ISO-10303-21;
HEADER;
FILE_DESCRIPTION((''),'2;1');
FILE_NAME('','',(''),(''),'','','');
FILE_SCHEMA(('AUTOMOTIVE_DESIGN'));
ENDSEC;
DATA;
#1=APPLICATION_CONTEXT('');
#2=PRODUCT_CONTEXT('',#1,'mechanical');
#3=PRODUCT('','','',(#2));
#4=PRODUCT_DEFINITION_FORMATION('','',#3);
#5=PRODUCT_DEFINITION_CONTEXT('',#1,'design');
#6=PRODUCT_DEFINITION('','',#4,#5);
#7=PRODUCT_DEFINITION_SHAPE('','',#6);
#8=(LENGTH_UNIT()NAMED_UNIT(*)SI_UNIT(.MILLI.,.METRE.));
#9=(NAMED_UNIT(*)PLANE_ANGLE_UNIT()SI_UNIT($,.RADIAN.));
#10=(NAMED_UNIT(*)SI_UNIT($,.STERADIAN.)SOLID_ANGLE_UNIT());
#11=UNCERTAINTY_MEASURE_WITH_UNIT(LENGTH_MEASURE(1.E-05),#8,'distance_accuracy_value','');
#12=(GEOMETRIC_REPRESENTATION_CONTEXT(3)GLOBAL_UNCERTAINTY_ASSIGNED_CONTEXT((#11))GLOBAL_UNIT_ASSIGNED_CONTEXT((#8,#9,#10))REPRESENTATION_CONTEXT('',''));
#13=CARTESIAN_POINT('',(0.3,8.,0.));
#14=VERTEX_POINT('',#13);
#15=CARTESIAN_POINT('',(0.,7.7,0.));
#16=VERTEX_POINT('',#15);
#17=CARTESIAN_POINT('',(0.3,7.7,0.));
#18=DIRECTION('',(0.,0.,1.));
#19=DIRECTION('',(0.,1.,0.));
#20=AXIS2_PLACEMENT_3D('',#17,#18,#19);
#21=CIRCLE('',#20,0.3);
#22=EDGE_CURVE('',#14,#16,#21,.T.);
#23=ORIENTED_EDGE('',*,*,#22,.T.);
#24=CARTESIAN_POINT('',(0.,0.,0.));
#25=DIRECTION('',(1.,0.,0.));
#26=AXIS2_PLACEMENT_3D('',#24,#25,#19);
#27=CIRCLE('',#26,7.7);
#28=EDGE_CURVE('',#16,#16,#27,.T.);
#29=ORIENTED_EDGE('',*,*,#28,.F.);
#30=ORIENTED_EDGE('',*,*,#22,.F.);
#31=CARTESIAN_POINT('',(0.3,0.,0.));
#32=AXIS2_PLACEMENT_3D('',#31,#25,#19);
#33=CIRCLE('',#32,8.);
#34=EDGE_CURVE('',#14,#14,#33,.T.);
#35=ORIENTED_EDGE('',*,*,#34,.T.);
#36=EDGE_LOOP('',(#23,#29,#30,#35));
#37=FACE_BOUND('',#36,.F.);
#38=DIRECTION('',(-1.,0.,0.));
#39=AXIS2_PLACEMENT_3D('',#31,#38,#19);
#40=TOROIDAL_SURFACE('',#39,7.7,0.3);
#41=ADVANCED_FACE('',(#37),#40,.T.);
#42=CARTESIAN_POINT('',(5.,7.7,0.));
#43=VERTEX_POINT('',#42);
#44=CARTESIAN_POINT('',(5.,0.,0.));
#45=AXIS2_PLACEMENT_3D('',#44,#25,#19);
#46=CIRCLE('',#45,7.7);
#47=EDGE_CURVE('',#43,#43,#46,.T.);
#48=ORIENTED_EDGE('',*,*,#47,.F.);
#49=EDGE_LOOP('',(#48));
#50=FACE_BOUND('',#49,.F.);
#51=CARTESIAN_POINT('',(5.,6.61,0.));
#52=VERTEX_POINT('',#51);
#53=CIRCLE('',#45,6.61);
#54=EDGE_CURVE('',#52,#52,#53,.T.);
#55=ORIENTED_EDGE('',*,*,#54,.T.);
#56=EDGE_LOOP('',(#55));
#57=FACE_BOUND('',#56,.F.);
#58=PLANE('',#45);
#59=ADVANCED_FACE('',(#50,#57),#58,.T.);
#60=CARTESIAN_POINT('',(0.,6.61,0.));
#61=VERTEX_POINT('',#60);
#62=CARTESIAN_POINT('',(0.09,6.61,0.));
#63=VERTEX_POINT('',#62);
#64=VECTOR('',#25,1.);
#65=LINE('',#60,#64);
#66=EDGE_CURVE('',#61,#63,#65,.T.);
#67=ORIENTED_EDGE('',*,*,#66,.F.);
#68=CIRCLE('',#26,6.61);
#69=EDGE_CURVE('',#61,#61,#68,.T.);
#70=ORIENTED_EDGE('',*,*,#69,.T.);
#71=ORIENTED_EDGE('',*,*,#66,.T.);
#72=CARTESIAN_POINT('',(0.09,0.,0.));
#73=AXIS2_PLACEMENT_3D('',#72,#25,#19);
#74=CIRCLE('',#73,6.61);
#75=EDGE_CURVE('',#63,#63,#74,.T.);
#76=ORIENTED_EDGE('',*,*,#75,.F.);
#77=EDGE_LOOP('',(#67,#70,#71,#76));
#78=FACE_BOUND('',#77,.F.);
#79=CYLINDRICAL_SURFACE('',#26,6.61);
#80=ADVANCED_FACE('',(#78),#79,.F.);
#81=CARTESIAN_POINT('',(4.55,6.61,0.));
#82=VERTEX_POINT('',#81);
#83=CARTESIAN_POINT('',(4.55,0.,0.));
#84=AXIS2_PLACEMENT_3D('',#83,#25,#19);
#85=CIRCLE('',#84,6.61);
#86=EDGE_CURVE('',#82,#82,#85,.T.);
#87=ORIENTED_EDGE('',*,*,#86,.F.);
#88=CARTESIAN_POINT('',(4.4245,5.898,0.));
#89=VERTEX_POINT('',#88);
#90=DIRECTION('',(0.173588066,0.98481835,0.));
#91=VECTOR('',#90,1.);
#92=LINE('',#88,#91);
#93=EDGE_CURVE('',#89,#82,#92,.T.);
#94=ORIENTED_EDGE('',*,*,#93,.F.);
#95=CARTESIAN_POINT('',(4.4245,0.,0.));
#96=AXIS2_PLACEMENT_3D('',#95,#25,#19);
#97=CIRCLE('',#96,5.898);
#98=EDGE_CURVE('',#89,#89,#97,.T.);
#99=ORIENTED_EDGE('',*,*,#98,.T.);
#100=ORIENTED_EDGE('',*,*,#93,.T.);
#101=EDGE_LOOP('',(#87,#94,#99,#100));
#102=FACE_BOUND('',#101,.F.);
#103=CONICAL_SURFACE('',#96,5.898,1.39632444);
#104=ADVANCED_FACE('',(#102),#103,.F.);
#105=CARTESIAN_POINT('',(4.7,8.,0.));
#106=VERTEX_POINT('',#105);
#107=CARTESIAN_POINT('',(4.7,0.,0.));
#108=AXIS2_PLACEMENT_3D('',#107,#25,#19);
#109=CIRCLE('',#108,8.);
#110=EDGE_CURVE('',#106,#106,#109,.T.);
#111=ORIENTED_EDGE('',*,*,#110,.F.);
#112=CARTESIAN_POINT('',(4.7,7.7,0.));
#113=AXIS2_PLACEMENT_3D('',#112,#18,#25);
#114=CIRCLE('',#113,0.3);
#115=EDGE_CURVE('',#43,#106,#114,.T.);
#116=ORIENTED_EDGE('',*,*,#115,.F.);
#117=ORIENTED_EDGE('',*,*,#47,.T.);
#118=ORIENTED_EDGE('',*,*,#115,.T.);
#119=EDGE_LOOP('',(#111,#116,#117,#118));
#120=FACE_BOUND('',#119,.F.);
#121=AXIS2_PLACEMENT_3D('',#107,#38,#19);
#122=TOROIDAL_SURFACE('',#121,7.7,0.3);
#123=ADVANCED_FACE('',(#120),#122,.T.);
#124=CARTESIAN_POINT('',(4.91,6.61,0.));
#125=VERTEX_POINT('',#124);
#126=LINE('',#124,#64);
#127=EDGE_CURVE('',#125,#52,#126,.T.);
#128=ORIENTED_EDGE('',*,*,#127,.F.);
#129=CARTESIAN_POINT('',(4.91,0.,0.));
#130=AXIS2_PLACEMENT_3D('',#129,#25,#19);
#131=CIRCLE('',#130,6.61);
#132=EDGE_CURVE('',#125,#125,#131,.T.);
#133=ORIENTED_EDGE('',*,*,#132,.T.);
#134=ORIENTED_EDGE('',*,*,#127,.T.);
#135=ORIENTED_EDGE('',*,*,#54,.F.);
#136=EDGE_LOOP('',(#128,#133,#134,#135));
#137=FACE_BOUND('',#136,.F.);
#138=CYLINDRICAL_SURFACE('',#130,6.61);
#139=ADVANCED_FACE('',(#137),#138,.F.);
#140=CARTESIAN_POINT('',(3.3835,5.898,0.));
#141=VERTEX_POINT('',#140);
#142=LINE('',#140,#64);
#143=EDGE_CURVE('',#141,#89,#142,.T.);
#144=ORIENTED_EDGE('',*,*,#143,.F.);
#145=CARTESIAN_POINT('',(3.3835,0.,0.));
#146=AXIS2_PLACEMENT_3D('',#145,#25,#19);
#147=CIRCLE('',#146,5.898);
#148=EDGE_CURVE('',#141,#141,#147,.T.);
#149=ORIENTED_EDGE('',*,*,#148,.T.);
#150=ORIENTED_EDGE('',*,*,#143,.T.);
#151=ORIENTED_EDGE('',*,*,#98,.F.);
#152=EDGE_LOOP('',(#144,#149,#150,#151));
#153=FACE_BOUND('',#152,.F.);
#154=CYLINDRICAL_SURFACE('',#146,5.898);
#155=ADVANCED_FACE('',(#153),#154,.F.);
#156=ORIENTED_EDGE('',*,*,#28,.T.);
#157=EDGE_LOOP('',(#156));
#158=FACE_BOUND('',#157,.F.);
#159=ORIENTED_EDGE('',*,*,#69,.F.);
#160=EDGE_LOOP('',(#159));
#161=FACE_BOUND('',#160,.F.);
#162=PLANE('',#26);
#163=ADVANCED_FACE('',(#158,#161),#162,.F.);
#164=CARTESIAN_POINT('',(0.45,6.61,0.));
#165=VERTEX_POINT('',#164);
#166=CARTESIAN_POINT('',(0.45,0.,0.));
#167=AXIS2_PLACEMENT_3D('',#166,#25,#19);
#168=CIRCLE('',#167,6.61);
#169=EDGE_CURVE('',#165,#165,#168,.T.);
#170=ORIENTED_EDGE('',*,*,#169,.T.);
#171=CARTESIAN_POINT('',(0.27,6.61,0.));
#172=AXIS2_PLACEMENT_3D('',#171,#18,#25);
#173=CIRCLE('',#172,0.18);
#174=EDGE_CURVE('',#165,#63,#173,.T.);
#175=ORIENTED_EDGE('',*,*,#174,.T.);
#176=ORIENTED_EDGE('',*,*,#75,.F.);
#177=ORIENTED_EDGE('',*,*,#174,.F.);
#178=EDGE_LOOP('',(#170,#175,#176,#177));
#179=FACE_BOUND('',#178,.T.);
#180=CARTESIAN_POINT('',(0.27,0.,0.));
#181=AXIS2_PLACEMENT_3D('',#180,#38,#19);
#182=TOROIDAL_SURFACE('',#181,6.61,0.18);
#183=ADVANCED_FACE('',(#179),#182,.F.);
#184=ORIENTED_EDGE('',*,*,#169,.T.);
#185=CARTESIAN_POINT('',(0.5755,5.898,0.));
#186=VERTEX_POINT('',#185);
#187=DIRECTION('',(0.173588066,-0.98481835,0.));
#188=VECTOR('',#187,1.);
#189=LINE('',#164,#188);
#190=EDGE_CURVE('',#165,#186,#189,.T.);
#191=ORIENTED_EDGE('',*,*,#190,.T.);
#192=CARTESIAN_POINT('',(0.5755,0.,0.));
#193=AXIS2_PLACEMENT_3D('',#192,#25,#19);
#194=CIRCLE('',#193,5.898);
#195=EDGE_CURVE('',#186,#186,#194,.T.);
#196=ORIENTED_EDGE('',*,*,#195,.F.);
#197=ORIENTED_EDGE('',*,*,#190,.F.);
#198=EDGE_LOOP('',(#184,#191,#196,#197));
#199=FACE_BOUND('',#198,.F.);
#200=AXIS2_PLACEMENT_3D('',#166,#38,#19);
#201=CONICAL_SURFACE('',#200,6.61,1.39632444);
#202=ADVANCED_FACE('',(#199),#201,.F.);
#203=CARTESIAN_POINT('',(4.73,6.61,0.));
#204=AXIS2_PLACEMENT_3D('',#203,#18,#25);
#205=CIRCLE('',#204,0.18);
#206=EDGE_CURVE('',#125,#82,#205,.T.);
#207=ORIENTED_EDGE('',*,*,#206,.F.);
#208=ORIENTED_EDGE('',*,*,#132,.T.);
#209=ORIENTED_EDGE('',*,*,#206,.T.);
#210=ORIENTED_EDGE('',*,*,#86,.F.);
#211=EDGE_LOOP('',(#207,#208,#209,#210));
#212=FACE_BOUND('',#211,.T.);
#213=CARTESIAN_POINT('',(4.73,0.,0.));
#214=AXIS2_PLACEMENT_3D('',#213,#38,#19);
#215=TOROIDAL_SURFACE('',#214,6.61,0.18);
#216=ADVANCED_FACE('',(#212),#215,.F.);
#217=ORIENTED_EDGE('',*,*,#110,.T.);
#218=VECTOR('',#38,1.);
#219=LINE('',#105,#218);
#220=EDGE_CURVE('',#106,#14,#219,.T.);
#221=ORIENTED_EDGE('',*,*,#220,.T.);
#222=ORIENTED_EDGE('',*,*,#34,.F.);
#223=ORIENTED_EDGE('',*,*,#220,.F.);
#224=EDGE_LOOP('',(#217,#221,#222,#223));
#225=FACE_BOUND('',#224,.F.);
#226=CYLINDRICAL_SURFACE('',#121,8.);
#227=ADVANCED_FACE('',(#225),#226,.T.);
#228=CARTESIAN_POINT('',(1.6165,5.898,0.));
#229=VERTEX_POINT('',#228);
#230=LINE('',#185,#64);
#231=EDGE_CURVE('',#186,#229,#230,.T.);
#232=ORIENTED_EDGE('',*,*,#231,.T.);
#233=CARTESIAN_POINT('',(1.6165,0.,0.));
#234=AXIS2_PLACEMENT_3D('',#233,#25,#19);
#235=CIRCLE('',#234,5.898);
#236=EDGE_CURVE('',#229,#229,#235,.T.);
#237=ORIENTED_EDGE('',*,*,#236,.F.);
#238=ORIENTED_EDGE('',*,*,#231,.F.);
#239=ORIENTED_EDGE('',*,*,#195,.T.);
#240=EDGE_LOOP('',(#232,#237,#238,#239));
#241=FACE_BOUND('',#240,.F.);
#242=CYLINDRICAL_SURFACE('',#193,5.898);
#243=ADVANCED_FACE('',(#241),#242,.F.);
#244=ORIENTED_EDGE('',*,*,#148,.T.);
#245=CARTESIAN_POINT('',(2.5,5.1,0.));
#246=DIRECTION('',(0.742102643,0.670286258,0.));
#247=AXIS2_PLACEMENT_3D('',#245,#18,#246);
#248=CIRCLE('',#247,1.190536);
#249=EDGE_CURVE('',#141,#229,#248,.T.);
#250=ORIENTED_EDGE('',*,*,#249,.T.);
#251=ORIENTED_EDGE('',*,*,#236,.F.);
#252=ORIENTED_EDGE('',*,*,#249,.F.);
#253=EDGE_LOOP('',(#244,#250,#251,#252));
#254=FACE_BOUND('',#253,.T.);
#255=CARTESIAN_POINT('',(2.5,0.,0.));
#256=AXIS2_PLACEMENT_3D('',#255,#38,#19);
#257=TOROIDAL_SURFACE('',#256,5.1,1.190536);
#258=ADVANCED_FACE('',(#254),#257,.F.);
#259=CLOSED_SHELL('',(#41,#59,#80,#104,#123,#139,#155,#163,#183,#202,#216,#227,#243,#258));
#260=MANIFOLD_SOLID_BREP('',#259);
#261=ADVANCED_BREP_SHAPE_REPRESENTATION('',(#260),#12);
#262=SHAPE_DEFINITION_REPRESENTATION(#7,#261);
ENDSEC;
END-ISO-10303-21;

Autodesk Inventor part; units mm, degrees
ref_plane "YZ Plane" through (0, 0, 0) normal (1, 0, 0) x (0, 1, 0)
ref_plane "XZ Plane" through (0, 0, 0) normal (0, 1, 0) x (-1, 0, 0)
ref_plane "XY Plane" through (0, 0, 0) normal (0, 0, 1) x (1, 0, 0)
sketch "Sketch_22" plane through (0, 0, 0) normal (0, 0, 1) x (1, 0, 0)
  line L0 (50, 0) -> (-50, 0)
  line L1 (0, 6.61) -> (0.09, 6.61)
  arc A0 (0.45, 6.61) -> (0.09, 6.61) centre (0.27, 6.61) ccw
  line L2 (0.45, 6.61) -> (0.5755, 5.898)
  line L3 (0.5755, 5.898) -> (1.6165, 5.898)
  arc A1 (3.3835, 5.898) -> (1.6165, 5.898) centre (2.5, 5.1) ccw
  line L4 (3.3835, 5.898) -> (4.4245, 5.898)
  line L5 (4.4245, 5.898) -> (4.55, 6.61)
  arc A2 (4.91, 6.61) -> (4.55, 6.61) centre (4.73, 6.61) ccw
  line L6 (4.91, 6.61) -> (5, 6.61)
  line L7 (5, 6.61) -> (5, 7.7)
  arc A3 (5, 7.7) -> (4.7, 8) centre (4.7, 7.7) ccw
  line L8 (4.7, 8) -> (0.3, 8)
  arc A4 (0.3, 8) -> (0, 7.7) centre (0.3, 7.7) ccw
  line L9 (0, 7.7) -> (0, 6.61)
revolve "Revolution1" add sketch "Sketch_22" angle 360 about axis through (50, 0, 0) along (1, 0, 0)
properties part number "625-Z_PART2"
